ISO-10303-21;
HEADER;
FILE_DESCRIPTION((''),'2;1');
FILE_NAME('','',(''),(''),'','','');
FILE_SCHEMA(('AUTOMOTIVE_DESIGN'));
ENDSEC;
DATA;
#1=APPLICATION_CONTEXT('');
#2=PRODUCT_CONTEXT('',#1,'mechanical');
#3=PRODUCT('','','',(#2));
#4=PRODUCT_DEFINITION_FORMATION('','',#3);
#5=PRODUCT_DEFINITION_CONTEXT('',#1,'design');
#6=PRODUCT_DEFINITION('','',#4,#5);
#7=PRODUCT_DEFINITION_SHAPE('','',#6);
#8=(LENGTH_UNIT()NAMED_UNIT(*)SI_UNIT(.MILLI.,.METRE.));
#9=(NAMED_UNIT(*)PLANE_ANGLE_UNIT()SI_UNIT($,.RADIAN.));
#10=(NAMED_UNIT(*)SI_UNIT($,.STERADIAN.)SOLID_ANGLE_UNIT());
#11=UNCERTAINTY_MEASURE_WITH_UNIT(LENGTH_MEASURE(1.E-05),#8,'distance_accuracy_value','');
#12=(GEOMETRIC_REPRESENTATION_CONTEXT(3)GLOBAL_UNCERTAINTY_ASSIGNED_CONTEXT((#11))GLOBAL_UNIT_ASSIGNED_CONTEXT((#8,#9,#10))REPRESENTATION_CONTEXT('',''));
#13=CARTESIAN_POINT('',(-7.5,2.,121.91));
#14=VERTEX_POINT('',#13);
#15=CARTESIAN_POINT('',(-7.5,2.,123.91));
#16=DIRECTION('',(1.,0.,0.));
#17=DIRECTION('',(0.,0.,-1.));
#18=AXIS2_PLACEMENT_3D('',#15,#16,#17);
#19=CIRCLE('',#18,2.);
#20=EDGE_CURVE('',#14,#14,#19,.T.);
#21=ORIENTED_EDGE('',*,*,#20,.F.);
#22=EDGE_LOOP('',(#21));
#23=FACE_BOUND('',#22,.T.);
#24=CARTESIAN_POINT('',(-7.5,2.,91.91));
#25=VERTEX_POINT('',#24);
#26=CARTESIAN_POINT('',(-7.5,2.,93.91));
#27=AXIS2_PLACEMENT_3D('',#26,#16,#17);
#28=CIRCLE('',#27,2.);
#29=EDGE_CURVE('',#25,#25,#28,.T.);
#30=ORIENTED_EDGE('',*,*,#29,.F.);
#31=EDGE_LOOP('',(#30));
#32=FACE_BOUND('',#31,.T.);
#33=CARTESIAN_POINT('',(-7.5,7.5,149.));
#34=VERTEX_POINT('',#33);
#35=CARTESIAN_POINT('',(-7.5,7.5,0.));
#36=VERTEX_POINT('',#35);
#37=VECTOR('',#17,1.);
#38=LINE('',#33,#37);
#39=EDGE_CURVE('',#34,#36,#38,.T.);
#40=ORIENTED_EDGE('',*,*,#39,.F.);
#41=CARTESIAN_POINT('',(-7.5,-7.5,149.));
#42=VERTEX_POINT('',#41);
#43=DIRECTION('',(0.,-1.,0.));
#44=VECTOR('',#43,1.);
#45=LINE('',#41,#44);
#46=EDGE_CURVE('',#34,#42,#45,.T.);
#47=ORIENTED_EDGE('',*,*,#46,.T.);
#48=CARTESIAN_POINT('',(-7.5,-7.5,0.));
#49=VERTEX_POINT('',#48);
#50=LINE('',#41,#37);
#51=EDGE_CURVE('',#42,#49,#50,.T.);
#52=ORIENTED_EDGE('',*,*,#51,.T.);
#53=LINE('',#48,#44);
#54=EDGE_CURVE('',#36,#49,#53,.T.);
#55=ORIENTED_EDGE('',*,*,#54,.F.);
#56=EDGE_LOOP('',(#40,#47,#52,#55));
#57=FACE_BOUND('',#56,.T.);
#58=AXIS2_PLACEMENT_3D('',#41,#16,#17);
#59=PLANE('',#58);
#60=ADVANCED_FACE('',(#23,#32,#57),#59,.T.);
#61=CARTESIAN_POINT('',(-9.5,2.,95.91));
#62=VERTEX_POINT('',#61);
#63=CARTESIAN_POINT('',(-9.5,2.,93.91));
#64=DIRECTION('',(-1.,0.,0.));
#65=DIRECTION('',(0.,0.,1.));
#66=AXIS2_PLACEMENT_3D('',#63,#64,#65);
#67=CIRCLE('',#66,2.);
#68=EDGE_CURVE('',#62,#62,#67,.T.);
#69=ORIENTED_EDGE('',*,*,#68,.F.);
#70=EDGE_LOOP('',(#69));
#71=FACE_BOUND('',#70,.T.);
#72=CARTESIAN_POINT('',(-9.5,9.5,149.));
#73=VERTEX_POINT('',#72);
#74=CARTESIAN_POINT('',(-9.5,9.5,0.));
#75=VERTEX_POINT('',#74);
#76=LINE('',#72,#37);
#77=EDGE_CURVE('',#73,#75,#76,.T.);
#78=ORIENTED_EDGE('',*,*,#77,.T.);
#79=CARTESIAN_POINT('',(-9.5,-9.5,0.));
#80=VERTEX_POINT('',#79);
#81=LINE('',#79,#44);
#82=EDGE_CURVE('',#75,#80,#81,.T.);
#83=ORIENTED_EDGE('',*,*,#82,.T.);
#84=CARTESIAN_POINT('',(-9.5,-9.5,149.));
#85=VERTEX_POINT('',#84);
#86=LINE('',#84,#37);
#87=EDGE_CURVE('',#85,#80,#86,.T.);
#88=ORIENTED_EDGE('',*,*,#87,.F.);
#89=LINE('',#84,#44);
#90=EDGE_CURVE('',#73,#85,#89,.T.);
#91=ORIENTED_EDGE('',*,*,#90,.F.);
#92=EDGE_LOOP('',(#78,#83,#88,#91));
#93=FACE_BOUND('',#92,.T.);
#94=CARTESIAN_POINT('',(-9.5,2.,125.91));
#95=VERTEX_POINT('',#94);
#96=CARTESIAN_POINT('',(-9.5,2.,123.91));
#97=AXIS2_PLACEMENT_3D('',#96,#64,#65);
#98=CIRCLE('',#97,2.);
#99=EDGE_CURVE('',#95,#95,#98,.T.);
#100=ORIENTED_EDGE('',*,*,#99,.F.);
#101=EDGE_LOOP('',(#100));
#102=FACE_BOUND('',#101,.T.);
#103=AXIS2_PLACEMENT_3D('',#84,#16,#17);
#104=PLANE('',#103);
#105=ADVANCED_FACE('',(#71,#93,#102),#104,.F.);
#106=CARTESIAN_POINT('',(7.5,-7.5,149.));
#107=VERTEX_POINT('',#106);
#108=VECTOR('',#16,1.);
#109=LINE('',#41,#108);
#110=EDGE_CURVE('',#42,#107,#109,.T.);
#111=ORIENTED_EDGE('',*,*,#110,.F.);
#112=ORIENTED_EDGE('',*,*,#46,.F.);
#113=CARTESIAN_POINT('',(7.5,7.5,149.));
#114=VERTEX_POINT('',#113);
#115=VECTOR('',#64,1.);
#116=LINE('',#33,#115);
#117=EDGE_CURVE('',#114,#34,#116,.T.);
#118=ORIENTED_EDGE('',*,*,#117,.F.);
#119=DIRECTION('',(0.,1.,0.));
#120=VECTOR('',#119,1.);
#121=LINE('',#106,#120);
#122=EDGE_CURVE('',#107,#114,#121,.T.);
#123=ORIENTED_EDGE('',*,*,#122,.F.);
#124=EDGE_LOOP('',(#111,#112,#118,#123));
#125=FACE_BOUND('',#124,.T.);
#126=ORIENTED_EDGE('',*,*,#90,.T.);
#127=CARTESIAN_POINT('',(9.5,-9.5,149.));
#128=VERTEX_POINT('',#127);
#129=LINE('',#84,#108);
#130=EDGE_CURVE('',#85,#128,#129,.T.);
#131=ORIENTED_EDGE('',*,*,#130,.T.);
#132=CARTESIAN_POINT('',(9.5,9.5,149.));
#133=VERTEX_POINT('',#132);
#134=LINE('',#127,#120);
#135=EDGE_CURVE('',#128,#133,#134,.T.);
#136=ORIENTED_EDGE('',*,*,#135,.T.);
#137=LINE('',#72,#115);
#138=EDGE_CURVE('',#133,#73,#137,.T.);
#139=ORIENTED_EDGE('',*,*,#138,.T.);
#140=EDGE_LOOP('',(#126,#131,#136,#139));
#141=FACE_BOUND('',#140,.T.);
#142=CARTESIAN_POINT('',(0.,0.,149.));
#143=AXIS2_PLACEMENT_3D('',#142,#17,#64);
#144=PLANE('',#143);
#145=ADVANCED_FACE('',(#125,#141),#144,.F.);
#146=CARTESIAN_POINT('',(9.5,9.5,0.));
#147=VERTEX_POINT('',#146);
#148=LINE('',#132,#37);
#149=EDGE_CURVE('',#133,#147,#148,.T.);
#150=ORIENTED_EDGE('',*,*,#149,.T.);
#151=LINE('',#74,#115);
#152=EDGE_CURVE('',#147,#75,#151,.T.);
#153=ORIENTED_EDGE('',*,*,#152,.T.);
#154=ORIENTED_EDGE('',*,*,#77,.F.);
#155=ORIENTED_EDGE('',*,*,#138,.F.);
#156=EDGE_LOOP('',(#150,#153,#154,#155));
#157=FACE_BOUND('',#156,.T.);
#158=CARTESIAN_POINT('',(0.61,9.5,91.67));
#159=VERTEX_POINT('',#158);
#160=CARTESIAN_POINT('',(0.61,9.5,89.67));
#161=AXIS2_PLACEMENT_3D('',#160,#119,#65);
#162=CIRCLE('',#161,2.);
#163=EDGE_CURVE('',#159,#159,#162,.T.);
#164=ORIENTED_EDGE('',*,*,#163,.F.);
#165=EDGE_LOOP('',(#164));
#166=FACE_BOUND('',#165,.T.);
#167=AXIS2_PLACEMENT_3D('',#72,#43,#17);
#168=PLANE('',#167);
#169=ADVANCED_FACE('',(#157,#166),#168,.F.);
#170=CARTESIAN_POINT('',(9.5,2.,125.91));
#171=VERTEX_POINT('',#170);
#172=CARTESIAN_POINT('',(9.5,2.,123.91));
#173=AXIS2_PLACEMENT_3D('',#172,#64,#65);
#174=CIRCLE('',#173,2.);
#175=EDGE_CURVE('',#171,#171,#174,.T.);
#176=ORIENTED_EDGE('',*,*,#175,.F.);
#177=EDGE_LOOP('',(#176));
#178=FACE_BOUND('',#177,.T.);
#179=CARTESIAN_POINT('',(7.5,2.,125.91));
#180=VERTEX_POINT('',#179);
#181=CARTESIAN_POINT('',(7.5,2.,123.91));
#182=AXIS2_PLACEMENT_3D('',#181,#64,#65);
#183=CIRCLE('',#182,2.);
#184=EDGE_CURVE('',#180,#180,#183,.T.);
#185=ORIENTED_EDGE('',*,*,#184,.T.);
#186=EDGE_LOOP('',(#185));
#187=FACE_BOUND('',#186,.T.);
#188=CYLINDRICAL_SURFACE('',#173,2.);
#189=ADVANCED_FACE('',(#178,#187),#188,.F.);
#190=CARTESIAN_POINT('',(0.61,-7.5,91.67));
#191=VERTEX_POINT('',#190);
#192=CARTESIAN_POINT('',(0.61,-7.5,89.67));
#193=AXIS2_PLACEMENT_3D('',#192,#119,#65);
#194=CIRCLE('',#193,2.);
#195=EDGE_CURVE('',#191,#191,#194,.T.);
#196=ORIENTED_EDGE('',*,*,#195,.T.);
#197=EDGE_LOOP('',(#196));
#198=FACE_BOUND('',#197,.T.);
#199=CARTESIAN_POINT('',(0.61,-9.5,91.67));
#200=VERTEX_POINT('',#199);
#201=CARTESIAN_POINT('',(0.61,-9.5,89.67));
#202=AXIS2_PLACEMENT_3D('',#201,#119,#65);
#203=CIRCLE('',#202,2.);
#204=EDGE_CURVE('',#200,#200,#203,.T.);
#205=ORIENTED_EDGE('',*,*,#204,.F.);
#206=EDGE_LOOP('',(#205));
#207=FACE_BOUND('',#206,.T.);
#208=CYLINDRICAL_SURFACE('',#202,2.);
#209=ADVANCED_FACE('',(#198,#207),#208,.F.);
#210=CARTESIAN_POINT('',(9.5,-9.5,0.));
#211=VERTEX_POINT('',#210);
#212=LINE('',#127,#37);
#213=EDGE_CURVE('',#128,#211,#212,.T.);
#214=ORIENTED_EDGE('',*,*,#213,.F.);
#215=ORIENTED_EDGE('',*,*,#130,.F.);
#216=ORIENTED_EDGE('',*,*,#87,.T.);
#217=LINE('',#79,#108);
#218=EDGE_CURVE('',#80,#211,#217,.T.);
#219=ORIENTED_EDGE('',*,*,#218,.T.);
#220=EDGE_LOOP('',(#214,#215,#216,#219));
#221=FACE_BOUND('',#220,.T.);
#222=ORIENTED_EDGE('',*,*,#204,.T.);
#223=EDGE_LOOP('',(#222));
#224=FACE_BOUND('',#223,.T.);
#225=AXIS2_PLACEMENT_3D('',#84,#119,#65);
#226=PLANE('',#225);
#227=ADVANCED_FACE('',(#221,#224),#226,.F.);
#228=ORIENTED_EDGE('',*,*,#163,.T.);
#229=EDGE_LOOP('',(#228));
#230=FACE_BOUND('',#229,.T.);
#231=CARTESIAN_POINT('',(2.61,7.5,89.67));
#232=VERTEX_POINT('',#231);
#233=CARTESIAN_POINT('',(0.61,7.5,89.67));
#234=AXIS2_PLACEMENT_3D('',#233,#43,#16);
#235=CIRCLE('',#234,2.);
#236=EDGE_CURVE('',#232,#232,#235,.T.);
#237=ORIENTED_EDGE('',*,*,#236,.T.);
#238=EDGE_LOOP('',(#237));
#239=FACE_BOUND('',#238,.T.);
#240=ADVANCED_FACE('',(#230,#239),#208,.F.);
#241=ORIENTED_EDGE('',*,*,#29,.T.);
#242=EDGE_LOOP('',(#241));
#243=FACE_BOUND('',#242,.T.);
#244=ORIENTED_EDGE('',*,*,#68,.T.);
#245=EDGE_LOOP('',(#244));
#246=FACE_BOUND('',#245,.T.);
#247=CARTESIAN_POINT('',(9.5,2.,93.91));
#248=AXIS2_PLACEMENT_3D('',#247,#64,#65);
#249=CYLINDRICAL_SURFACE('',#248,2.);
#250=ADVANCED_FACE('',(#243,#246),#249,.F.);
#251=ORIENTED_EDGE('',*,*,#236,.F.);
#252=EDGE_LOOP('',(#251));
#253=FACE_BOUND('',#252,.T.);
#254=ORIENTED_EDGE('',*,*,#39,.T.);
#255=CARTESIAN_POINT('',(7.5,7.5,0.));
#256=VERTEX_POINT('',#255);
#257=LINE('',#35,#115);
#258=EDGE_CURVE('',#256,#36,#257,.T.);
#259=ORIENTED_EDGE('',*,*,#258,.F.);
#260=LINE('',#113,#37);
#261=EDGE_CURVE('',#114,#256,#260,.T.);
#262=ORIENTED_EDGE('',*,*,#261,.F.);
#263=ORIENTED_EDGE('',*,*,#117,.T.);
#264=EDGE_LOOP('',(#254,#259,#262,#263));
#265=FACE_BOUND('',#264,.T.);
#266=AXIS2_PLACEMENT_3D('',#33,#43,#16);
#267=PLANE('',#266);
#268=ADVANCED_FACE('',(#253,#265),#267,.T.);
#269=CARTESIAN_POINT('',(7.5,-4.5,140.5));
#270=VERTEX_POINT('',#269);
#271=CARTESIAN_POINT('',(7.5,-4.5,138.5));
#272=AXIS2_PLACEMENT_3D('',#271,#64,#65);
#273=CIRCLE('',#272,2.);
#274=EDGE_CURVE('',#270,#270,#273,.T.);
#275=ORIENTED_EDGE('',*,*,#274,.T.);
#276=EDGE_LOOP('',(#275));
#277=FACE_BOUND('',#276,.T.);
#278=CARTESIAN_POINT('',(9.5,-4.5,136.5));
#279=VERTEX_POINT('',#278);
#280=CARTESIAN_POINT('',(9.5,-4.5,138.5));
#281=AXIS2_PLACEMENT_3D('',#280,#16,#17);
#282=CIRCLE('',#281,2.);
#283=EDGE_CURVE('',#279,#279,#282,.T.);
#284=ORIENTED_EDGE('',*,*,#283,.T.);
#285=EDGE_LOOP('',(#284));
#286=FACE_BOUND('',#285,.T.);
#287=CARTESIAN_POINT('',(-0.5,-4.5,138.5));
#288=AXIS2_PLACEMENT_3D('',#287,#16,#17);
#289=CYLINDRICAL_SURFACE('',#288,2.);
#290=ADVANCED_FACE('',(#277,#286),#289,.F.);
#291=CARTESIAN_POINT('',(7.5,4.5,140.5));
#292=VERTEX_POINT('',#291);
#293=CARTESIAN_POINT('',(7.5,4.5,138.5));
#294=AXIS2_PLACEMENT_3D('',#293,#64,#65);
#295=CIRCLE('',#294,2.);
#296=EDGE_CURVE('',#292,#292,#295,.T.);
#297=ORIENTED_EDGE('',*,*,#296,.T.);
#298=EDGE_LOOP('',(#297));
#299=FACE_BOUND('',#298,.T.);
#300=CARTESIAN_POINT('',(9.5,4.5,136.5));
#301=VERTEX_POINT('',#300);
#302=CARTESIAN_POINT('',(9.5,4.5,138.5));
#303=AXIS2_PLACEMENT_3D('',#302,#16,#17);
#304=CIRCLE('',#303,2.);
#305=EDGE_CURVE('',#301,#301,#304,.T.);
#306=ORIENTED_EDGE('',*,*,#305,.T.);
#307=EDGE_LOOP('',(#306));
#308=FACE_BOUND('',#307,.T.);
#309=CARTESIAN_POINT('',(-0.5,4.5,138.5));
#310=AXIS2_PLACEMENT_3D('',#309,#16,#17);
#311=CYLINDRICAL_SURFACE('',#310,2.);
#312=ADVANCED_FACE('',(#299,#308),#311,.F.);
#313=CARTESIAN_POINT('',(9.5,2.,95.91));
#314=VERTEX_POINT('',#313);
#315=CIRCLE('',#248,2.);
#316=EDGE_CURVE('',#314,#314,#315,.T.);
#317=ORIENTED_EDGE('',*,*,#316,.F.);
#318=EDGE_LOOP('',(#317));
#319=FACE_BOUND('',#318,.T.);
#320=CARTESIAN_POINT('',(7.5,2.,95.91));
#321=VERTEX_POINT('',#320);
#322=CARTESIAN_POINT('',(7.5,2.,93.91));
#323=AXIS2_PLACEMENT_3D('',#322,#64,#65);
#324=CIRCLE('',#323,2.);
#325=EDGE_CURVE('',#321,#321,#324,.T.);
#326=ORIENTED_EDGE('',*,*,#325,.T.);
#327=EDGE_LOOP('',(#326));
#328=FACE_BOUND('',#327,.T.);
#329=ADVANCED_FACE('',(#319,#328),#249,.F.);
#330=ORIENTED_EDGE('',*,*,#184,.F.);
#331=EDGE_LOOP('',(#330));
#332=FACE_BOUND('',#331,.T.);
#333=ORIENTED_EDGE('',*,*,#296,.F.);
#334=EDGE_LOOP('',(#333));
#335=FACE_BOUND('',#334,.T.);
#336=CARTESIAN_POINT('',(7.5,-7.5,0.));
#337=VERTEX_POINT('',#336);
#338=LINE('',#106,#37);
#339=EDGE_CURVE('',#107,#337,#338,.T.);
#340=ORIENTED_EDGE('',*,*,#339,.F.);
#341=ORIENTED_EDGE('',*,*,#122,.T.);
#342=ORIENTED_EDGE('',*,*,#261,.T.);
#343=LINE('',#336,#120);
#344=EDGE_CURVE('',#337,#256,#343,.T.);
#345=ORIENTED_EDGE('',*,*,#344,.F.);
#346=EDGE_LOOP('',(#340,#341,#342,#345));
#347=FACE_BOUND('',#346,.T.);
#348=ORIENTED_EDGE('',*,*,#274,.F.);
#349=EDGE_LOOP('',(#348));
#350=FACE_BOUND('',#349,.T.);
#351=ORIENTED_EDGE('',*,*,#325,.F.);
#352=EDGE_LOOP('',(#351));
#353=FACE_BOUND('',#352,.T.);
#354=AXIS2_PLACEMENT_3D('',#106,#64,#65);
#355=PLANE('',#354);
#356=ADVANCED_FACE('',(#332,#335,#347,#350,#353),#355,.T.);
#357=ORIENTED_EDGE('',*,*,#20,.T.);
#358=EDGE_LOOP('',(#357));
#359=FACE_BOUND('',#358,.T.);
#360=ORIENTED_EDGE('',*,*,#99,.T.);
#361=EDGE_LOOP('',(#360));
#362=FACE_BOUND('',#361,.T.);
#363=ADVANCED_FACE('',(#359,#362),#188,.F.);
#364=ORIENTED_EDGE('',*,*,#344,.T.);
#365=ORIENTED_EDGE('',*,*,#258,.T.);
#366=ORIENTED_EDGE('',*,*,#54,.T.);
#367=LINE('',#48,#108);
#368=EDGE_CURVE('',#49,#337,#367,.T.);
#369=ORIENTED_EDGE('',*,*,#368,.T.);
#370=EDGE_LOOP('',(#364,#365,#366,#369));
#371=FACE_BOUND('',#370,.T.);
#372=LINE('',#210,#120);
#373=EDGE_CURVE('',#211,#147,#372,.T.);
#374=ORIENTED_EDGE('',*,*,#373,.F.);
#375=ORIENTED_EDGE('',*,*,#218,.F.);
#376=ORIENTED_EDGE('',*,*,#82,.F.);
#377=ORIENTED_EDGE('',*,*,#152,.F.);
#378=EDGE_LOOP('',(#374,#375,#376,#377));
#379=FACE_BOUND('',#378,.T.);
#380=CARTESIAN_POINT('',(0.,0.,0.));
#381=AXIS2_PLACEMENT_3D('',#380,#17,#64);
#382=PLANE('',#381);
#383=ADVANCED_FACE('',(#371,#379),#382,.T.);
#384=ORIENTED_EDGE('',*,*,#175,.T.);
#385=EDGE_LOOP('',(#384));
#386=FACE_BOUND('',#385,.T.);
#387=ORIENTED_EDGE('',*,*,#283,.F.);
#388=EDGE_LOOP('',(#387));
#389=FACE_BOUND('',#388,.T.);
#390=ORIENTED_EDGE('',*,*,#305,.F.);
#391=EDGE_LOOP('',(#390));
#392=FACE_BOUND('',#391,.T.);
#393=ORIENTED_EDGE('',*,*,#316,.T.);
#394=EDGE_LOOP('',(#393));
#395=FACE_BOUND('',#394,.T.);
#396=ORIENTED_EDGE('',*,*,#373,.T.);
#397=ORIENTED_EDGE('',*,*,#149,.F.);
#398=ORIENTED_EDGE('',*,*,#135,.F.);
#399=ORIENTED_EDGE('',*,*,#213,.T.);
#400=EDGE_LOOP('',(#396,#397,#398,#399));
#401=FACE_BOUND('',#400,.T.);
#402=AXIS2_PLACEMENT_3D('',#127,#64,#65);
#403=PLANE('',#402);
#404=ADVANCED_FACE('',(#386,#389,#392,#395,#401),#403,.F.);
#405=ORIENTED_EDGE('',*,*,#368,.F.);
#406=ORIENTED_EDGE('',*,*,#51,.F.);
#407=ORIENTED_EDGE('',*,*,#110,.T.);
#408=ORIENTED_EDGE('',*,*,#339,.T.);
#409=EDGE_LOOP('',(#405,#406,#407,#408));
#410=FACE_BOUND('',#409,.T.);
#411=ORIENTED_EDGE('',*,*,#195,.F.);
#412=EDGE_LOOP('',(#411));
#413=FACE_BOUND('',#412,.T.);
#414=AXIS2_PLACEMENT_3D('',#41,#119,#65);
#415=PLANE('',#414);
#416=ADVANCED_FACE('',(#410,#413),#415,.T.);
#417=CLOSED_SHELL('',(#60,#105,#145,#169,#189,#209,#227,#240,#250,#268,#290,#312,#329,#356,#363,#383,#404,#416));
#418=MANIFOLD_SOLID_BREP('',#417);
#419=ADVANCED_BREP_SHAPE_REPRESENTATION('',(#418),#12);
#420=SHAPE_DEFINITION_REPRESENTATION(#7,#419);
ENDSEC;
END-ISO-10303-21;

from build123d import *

# Parameters (mm, degrees)
SKETCH1_W           = 19
SKETCH1_H           = 19
SKETCH1_W_2         = 15
SKETCH1_H_2         = 15
BOSS_EXTRUDE1_DEPTH = 149
SKETCH2_R           = 2
CUT_EXTRUDE1_DEPTH  = 10
SKETCH5_R           = 2
CUT_EXTRUDE2_DEPTH  = 151.506644372
SKETCH6_R           = 2
CUT_EXTRUDE3_DEPTH  = 151.506644372


with BuildPart() as part:
    # Sketch1 → Boss-Extrude1 (new body)
    with BuildSketch(Plane.XY):
        Rectangle(SKETCH1_W, SKETCH1_H)
        Rectangle(SKETCH1_W_2, SKETCH1_H_2, mode=Mode.SUBTRACT)
    extrude(amount=BOSS_EXTRUDE1_DEPTH)

    # Sketch2 → Cut-Extrude1 (cut)
    with BuildSketch(Plane(origin=(9.5, 0, 0), x_dir=(0, 0, -1), z_dir=(1, 0, 0))):
        with Locations((-138.5, 4.5)):
            Circle(SKETCH2_R)
        with Locations((-138.5, -4.5)):
            Circle(SKETCH2_R)
    extrude(amount=-CUT_EXTRUDE1_DEPTH, mode=Mode.SUBTRACT)

    # Sketch5 → Cut-Extrude2 (cut, through all)
    with BuildSketch(Plane(origin=(0, 9.5, 0), x_dir=(1, 0, 0), z_dir=(0, 1, 0))):
        with Locations(Location((0.61, -89.67, 0), (0, 0, 270))):
            Circle(SKETCH5_R)
    extrude(amount=-CUT_EXTRUDE2_DEPTH, mode=Mode.SUBTRACT)

    # Sketch6 → Cut-Extrude3 (cut, through all)
    with BuildSketch(Plane.ZY.offset(9.5)):
        with Locations((93.91, 2)):
            Circle(SKETCH6_R)
        with Locations((123.91, 2)):
            Circle(SKETCH6_R)
    extrude(amount=-CUT_EXTRUDE3_DEPTH, mode=Mode.SUBTRACT)


solid = part.part
